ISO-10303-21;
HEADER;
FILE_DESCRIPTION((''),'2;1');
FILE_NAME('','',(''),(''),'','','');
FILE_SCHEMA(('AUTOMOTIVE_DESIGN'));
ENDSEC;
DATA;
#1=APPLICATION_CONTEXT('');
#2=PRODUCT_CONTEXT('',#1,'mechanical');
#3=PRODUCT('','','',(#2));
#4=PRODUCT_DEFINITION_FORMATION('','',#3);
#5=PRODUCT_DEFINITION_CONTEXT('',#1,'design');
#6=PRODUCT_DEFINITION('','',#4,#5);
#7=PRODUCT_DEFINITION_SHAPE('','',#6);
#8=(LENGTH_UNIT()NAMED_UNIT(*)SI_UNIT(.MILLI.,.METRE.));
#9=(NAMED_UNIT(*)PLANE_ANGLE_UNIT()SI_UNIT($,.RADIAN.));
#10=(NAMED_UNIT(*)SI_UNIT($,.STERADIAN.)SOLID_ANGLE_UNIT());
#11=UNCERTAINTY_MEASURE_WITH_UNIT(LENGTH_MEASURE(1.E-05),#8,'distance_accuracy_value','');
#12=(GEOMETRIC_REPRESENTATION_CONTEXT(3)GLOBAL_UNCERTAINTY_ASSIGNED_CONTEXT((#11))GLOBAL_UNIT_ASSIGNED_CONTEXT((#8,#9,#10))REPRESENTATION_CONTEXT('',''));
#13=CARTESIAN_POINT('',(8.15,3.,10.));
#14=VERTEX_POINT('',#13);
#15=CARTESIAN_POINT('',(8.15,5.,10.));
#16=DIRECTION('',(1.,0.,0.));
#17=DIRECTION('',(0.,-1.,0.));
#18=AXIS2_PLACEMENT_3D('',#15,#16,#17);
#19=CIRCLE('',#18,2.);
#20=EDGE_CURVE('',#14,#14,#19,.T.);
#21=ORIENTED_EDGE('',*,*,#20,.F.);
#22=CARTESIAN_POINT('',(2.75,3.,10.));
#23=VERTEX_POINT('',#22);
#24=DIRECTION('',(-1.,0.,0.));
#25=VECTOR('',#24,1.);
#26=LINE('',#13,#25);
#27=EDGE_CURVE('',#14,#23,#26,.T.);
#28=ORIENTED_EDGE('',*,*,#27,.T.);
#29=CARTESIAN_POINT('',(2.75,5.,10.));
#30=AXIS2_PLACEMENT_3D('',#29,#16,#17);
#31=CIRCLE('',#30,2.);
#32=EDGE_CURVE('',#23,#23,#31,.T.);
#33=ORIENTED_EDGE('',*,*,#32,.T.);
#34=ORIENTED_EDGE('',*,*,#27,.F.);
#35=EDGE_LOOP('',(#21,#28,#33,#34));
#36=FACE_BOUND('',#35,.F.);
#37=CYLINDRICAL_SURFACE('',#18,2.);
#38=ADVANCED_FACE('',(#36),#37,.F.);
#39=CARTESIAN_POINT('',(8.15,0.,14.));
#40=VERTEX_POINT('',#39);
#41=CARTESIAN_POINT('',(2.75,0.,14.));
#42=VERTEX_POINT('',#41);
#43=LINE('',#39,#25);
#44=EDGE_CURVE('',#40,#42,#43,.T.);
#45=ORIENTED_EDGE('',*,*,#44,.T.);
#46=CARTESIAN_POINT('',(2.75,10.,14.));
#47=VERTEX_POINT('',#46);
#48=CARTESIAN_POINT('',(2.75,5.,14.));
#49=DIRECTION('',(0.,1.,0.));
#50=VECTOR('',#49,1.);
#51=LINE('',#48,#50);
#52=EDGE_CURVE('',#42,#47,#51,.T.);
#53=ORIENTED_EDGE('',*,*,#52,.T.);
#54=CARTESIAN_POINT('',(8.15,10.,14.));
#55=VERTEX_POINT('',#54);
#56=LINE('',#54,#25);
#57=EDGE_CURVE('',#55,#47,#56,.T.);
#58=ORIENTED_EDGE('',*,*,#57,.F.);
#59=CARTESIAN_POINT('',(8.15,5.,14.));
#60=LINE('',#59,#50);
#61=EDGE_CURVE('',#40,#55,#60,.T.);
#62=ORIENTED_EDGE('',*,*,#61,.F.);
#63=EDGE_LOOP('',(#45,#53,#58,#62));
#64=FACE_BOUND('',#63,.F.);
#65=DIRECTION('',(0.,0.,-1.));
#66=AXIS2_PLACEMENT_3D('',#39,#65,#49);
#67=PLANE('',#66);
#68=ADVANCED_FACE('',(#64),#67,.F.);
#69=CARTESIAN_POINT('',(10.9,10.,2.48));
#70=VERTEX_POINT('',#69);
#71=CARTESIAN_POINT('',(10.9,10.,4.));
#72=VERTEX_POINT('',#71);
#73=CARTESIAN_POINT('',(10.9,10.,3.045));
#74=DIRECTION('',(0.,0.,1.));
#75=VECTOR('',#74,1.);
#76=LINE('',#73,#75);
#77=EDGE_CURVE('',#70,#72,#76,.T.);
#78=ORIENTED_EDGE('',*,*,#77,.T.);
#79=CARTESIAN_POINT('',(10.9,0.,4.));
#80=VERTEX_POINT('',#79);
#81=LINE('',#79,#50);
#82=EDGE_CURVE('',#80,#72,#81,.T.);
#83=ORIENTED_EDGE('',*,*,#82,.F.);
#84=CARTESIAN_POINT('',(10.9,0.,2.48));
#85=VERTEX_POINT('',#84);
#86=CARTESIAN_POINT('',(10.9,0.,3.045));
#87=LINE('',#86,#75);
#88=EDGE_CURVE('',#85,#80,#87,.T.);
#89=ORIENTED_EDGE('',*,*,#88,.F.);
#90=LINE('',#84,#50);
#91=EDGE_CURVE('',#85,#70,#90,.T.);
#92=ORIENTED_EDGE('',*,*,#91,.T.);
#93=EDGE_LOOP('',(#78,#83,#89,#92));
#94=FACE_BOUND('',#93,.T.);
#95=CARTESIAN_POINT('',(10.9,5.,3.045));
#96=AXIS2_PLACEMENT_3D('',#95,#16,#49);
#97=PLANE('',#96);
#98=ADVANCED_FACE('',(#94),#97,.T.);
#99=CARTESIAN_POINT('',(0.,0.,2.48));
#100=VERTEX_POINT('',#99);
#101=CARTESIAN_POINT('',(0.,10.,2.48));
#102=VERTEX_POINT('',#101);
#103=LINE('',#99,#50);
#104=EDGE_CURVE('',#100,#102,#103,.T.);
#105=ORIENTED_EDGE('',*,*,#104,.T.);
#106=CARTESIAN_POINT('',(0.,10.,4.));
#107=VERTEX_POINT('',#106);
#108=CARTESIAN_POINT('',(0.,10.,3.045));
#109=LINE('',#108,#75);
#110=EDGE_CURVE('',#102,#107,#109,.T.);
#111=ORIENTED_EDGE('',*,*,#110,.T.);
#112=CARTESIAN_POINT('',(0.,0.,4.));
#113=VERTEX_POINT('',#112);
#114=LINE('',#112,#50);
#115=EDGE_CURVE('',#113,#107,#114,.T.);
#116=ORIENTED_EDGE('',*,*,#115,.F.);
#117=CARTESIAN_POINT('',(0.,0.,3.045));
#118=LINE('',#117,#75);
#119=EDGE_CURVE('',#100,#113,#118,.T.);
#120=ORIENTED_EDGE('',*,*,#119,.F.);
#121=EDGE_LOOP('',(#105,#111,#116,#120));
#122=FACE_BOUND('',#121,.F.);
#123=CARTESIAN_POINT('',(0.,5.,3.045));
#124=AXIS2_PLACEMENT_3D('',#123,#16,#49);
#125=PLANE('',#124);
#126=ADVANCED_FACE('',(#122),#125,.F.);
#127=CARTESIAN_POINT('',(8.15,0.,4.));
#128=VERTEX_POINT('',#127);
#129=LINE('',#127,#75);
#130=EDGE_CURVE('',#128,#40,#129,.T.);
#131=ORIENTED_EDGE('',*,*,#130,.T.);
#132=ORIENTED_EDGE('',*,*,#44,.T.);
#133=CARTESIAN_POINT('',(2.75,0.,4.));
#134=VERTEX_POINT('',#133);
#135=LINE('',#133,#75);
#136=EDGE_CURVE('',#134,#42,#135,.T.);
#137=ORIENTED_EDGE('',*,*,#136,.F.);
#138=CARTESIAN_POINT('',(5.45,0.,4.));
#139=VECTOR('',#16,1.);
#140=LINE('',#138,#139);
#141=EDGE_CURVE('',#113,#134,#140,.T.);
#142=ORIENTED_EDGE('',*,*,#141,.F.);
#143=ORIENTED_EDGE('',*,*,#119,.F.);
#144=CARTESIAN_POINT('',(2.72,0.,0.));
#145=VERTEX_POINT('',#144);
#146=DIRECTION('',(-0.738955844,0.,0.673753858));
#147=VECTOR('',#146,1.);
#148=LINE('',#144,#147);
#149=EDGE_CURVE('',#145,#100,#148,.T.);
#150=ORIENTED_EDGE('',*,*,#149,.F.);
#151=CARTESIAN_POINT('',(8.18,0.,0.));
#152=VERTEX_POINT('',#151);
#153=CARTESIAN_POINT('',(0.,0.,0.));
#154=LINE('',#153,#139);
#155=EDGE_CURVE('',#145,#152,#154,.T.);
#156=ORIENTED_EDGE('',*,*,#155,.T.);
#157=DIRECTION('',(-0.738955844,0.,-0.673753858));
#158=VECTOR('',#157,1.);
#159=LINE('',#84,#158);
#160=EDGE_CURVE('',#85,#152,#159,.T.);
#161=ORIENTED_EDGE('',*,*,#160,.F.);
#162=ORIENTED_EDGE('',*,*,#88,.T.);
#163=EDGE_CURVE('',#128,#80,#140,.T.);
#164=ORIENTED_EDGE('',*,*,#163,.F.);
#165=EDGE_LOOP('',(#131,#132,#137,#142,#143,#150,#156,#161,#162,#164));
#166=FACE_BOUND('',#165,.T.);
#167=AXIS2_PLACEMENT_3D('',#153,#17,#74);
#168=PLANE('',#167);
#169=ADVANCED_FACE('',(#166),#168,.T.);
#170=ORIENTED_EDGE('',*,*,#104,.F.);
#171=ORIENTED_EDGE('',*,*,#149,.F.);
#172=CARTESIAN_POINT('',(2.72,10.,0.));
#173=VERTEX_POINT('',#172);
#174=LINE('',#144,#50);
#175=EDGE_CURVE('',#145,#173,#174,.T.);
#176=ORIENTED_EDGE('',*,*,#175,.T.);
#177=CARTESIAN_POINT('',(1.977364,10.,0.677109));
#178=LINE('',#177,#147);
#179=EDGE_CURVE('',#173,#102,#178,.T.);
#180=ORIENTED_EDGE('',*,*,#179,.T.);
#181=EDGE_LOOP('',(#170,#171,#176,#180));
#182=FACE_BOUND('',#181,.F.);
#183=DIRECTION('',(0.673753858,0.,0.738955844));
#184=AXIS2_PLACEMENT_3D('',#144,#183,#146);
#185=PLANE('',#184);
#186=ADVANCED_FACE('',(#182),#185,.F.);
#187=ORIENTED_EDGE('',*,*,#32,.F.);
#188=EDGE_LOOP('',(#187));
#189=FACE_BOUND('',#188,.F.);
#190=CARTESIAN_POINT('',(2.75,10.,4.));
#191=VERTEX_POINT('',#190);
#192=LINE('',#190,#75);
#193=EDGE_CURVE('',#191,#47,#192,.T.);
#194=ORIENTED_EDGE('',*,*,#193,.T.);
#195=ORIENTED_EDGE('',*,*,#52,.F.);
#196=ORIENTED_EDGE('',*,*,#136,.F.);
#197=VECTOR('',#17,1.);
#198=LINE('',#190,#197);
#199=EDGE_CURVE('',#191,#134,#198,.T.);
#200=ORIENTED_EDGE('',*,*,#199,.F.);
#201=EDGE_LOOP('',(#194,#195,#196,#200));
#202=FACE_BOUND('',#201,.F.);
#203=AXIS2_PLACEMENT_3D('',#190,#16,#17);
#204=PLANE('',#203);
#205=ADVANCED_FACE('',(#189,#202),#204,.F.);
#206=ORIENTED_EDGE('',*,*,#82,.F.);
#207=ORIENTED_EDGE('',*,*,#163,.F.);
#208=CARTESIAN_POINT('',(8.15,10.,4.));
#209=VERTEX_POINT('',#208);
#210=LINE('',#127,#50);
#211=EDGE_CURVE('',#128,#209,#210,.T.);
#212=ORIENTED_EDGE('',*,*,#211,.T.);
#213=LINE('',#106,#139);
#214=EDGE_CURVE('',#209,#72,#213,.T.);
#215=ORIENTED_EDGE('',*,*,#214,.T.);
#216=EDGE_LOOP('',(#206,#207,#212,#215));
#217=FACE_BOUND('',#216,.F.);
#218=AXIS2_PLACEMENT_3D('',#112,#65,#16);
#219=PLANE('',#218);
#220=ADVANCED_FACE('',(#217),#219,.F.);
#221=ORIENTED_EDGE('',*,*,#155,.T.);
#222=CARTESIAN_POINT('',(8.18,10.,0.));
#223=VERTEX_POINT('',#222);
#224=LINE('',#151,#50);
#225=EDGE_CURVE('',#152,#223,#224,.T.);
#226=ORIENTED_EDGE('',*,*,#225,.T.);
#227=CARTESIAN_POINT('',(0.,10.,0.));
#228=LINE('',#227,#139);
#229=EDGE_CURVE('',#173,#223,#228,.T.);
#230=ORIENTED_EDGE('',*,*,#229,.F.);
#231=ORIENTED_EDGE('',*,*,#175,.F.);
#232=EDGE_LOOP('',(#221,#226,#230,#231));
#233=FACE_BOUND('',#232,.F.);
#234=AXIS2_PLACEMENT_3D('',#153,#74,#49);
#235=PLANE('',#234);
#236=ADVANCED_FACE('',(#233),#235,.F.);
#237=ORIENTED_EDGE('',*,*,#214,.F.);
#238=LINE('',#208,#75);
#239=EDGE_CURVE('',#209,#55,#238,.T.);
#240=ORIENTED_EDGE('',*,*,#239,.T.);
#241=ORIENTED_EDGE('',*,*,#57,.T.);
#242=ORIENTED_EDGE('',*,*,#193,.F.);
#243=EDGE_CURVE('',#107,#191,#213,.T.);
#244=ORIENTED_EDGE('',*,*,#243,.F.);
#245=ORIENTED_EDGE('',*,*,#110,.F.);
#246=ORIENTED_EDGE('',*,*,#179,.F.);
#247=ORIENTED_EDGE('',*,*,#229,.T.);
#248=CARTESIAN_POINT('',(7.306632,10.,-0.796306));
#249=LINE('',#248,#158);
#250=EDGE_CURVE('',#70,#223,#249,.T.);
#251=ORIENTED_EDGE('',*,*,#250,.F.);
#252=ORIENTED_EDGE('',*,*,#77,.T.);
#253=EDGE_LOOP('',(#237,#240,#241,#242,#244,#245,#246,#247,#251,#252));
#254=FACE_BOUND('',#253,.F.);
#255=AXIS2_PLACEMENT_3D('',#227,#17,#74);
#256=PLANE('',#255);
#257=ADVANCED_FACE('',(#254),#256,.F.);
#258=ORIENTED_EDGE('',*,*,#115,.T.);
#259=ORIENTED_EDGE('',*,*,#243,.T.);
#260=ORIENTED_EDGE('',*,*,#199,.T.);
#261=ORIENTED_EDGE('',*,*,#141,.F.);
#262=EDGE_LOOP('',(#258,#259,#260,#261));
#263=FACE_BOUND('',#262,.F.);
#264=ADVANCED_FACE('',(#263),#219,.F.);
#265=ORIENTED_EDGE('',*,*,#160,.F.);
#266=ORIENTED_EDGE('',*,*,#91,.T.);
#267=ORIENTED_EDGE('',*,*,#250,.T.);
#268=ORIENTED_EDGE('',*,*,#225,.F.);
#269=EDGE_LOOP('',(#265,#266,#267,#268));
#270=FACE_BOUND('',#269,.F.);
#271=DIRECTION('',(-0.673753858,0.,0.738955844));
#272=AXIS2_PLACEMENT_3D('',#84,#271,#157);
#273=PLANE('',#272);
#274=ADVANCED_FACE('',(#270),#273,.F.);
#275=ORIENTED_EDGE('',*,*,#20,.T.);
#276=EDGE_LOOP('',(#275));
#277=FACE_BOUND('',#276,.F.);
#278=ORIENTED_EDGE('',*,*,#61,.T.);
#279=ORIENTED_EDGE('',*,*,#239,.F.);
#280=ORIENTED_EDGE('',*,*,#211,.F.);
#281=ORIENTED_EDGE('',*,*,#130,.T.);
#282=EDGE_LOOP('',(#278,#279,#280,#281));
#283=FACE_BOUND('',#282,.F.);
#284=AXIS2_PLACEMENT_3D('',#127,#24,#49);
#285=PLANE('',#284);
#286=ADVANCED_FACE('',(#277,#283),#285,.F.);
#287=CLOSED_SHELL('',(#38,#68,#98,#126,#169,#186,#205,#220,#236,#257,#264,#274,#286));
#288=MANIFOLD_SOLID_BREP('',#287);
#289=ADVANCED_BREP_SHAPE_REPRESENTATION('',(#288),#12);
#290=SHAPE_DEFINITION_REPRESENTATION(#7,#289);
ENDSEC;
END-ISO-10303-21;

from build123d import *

# Parameters (mm, degrees)
F0_W     = 10
F0_H     = 6.09
F1_DEPTH = 10.9
F2_W     = 10.9
F2_H     = 2.09
F3_DEPTH = 25
F5_DEPTH = 12
F6_W     = 10
F6_H     = 2
F7_DEPTH = 25


with BuildPart() as f1:
    # F0 (on Right) → F1 (new body)
    with BuildSketch(Plane.YZ):
        with Locations((5, 3.045)):
            Rectangle(F0_W, F0_H)
    extrude(amount=F1_DEPTH)

    # F2 (on face) → F3 (cut)
    with BuildSketch(Plane.XZ):
        with Locations((5.45, 5.045)):
            Rectangle(F2_W, F2_H)
        Polygon((0, 0), (2.72, 0), (0, 2.48), align=None)
        Polygon((8.18, 0), (10.9, 0), (10.9, 2.48), align=None)
    extrude(amount=-F3_DEPTH, mode=Mode.SUBTRACT)

    # F4 (on face) → F5 (join)
    with BuildSketch(Plane.XY.offset(4)):
        Polygon((8.15, 10), (5.45, 10), (2.75, 10), (2.75, 0), (8.15, 0), align=None)
    extrude(amount=F5_DEPTH)

    # F6 (on face) → F7 (cut)
    with BuildSketch(Plane.YZ.offset(8.15)):
        with BuildLine():
            Line((3, 10), (7, 10))
            ThreePointArc((7, 10), (5, 12), (3, 10))
        make_face()
        with BuildLine():
            ThreePointArc((3, 10), (5, 8), (7, 10))
            Line((7, 10), (3, 10))
        make_face()
        with Locations((5, 15)):
            Rectangle(F6_W, F6_H)
    extrude(amount=-F7_DEPTH, mode=Mode.SUBTRACT)


solid = f1.part
